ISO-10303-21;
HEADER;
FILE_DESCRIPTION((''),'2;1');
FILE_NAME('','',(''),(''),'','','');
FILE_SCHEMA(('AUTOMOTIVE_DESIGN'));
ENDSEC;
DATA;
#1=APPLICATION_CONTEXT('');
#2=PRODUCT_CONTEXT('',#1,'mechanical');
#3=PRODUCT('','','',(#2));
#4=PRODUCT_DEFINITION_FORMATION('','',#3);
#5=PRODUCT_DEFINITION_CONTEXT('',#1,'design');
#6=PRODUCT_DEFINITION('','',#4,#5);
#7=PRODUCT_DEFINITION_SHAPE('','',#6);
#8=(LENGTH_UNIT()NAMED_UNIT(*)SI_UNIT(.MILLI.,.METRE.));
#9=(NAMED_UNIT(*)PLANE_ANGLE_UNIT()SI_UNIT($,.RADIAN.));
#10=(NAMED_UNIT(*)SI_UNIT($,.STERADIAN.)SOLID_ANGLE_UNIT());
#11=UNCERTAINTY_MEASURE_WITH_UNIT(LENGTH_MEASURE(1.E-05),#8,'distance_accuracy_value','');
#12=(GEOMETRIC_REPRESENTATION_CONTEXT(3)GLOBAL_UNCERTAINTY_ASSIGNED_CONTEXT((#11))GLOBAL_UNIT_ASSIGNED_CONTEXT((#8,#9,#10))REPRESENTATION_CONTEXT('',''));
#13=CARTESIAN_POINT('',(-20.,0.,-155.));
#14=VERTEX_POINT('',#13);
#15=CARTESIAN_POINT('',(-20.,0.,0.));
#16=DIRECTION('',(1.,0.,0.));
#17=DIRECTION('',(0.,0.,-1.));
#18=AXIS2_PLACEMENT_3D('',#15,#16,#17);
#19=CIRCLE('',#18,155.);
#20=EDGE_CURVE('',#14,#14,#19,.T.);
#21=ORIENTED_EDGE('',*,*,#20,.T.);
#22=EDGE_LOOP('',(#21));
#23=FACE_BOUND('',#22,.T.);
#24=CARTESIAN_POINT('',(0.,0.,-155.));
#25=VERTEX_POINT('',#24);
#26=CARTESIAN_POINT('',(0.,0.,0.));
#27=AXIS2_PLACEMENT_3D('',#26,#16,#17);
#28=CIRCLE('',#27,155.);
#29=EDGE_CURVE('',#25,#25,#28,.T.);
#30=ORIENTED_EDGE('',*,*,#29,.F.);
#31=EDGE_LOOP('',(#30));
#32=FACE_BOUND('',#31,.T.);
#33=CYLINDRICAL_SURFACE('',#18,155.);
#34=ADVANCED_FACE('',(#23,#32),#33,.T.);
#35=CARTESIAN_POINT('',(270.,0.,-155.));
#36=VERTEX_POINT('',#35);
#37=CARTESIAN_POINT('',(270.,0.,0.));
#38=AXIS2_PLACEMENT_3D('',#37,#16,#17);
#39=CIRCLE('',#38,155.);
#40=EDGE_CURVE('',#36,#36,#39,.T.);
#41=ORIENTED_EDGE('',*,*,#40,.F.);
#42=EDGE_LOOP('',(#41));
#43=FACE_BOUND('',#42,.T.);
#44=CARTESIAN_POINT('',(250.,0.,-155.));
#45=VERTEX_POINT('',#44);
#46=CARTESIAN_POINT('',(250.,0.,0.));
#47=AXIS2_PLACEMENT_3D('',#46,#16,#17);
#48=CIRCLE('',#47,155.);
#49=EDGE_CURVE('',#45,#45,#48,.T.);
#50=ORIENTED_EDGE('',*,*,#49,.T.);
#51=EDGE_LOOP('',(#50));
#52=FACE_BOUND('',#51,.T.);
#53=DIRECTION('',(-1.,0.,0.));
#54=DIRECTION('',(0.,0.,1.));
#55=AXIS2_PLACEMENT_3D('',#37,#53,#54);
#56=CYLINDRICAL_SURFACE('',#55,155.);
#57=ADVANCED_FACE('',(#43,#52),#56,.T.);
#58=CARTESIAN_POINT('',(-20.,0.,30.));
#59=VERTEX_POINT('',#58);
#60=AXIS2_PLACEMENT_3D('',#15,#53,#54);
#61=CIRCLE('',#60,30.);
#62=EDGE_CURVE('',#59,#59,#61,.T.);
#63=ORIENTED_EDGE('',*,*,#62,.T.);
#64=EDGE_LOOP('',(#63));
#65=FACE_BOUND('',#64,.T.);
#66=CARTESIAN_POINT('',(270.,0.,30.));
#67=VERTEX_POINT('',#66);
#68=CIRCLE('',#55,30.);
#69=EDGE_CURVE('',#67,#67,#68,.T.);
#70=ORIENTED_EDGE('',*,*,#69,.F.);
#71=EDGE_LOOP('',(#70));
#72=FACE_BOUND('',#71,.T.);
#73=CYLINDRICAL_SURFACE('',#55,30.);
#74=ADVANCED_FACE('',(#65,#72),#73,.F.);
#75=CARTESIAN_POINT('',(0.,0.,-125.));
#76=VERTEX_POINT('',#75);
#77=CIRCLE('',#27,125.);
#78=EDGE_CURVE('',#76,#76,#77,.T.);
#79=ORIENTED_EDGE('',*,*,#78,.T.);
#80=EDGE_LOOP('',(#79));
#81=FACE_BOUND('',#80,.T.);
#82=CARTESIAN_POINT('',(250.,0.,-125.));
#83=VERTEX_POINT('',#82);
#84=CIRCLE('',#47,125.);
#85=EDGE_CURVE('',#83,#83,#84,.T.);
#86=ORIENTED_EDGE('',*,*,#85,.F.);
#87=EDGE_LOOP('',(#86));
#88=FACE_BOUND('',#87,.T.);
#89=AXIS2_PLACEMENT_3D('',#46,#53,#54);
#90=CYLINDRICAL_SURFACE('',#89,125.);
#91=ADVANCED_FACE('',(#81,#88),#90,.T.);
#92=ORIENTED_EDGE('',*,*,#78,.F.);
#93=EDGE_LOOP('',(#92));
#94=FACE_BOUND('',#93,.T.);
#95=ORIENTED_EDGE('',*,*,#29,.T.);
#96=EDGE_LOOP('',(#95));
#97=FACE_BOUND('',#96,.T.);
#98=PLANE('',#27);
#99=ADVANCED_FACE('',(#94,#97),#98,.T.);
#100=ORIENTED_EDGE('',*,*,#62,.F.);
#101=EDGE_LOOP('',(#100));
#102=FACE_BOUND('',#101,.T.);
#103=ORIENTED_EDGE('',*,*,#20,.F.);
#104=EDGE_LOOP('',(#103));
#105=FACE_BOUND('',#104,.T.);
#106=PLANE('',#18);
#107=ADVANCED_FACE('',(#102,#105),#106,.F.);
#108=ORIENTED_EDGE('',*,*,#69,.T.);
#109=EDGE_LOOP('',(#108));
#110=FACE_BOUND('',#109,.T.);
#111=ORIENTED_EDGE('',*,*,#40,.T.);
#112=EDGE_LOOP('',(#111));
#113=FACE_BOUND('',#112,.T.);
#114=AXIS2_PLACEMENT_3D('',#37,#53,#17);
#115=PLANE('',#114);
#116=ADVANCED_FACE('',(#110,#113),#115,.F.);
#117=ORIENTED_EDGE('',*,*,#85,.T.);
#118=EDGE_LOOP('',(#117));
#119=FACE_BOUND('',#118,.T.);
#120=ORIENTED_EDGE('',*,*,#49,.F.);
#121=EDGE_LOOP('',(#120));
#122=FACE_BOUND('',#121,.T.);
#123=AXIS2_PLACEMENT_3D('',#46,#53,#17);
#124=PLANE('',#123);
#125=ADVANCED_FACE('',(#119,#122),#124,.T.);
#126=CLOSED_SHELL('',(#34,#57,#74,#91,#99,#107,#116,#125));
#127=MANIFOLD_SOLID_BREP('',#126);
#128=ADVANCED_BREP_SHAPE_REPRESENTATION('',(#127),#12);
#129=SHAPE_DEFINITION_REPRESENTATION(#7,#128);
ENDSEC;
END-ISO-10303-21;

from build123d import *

# Parameters (mm, degrees)
SKETCH1_R           = 125
BOSS_EXTRUDE1_DEPTH = 250
SKETCH2_R           = 155
BOSS_EXTRUDE2_DEPTH = 20
SKETCH3_R           = 30
CUT_EXTRUDE1_DEPTH  = 364.524414586


with BuildPart() as part:
    # Sketch1 → Boss-Extrude1 (new body)
    with BuildSketch(Plane(origin=(0, 0, 0), x_dir=(0, 0, -1), z_dir=(1, 0, 0))):
        Circle(SKETCH1_R)
    extrude(amount=BOSS_EXTRUDE1_DEPTH)

    # Sketch2 → Boss-Extrude2 (add)
    with BuildSketch(Plane(origin=(0, 0, 0), x_dir=(0, 0, -1), z_dir=(1, 0, 0))):
        Circle(SKETCH2_R)
    boss_extrude2 = extrude(amount=-BOSS_EXTRUDE2_DEPTH)

    # Mirror1: Boss-Extrude2 across plane
    add(boss_extrude2.mirror(Plane(origin=(125, 0, 0), x_dir=(0, 0, 1), z_dir=(1, 0, 0))))

    # Sketch3 → Cut-Extrude1 (cut, through all)
    with BuildSketch(Plane.ZY.offset(20)):
        Circle(SKETCH3_R)
    extrude(amount=-CUT_EXTRUDE1_DEPTH, mode=Mode.SUBTRACT)


solid = part.part
